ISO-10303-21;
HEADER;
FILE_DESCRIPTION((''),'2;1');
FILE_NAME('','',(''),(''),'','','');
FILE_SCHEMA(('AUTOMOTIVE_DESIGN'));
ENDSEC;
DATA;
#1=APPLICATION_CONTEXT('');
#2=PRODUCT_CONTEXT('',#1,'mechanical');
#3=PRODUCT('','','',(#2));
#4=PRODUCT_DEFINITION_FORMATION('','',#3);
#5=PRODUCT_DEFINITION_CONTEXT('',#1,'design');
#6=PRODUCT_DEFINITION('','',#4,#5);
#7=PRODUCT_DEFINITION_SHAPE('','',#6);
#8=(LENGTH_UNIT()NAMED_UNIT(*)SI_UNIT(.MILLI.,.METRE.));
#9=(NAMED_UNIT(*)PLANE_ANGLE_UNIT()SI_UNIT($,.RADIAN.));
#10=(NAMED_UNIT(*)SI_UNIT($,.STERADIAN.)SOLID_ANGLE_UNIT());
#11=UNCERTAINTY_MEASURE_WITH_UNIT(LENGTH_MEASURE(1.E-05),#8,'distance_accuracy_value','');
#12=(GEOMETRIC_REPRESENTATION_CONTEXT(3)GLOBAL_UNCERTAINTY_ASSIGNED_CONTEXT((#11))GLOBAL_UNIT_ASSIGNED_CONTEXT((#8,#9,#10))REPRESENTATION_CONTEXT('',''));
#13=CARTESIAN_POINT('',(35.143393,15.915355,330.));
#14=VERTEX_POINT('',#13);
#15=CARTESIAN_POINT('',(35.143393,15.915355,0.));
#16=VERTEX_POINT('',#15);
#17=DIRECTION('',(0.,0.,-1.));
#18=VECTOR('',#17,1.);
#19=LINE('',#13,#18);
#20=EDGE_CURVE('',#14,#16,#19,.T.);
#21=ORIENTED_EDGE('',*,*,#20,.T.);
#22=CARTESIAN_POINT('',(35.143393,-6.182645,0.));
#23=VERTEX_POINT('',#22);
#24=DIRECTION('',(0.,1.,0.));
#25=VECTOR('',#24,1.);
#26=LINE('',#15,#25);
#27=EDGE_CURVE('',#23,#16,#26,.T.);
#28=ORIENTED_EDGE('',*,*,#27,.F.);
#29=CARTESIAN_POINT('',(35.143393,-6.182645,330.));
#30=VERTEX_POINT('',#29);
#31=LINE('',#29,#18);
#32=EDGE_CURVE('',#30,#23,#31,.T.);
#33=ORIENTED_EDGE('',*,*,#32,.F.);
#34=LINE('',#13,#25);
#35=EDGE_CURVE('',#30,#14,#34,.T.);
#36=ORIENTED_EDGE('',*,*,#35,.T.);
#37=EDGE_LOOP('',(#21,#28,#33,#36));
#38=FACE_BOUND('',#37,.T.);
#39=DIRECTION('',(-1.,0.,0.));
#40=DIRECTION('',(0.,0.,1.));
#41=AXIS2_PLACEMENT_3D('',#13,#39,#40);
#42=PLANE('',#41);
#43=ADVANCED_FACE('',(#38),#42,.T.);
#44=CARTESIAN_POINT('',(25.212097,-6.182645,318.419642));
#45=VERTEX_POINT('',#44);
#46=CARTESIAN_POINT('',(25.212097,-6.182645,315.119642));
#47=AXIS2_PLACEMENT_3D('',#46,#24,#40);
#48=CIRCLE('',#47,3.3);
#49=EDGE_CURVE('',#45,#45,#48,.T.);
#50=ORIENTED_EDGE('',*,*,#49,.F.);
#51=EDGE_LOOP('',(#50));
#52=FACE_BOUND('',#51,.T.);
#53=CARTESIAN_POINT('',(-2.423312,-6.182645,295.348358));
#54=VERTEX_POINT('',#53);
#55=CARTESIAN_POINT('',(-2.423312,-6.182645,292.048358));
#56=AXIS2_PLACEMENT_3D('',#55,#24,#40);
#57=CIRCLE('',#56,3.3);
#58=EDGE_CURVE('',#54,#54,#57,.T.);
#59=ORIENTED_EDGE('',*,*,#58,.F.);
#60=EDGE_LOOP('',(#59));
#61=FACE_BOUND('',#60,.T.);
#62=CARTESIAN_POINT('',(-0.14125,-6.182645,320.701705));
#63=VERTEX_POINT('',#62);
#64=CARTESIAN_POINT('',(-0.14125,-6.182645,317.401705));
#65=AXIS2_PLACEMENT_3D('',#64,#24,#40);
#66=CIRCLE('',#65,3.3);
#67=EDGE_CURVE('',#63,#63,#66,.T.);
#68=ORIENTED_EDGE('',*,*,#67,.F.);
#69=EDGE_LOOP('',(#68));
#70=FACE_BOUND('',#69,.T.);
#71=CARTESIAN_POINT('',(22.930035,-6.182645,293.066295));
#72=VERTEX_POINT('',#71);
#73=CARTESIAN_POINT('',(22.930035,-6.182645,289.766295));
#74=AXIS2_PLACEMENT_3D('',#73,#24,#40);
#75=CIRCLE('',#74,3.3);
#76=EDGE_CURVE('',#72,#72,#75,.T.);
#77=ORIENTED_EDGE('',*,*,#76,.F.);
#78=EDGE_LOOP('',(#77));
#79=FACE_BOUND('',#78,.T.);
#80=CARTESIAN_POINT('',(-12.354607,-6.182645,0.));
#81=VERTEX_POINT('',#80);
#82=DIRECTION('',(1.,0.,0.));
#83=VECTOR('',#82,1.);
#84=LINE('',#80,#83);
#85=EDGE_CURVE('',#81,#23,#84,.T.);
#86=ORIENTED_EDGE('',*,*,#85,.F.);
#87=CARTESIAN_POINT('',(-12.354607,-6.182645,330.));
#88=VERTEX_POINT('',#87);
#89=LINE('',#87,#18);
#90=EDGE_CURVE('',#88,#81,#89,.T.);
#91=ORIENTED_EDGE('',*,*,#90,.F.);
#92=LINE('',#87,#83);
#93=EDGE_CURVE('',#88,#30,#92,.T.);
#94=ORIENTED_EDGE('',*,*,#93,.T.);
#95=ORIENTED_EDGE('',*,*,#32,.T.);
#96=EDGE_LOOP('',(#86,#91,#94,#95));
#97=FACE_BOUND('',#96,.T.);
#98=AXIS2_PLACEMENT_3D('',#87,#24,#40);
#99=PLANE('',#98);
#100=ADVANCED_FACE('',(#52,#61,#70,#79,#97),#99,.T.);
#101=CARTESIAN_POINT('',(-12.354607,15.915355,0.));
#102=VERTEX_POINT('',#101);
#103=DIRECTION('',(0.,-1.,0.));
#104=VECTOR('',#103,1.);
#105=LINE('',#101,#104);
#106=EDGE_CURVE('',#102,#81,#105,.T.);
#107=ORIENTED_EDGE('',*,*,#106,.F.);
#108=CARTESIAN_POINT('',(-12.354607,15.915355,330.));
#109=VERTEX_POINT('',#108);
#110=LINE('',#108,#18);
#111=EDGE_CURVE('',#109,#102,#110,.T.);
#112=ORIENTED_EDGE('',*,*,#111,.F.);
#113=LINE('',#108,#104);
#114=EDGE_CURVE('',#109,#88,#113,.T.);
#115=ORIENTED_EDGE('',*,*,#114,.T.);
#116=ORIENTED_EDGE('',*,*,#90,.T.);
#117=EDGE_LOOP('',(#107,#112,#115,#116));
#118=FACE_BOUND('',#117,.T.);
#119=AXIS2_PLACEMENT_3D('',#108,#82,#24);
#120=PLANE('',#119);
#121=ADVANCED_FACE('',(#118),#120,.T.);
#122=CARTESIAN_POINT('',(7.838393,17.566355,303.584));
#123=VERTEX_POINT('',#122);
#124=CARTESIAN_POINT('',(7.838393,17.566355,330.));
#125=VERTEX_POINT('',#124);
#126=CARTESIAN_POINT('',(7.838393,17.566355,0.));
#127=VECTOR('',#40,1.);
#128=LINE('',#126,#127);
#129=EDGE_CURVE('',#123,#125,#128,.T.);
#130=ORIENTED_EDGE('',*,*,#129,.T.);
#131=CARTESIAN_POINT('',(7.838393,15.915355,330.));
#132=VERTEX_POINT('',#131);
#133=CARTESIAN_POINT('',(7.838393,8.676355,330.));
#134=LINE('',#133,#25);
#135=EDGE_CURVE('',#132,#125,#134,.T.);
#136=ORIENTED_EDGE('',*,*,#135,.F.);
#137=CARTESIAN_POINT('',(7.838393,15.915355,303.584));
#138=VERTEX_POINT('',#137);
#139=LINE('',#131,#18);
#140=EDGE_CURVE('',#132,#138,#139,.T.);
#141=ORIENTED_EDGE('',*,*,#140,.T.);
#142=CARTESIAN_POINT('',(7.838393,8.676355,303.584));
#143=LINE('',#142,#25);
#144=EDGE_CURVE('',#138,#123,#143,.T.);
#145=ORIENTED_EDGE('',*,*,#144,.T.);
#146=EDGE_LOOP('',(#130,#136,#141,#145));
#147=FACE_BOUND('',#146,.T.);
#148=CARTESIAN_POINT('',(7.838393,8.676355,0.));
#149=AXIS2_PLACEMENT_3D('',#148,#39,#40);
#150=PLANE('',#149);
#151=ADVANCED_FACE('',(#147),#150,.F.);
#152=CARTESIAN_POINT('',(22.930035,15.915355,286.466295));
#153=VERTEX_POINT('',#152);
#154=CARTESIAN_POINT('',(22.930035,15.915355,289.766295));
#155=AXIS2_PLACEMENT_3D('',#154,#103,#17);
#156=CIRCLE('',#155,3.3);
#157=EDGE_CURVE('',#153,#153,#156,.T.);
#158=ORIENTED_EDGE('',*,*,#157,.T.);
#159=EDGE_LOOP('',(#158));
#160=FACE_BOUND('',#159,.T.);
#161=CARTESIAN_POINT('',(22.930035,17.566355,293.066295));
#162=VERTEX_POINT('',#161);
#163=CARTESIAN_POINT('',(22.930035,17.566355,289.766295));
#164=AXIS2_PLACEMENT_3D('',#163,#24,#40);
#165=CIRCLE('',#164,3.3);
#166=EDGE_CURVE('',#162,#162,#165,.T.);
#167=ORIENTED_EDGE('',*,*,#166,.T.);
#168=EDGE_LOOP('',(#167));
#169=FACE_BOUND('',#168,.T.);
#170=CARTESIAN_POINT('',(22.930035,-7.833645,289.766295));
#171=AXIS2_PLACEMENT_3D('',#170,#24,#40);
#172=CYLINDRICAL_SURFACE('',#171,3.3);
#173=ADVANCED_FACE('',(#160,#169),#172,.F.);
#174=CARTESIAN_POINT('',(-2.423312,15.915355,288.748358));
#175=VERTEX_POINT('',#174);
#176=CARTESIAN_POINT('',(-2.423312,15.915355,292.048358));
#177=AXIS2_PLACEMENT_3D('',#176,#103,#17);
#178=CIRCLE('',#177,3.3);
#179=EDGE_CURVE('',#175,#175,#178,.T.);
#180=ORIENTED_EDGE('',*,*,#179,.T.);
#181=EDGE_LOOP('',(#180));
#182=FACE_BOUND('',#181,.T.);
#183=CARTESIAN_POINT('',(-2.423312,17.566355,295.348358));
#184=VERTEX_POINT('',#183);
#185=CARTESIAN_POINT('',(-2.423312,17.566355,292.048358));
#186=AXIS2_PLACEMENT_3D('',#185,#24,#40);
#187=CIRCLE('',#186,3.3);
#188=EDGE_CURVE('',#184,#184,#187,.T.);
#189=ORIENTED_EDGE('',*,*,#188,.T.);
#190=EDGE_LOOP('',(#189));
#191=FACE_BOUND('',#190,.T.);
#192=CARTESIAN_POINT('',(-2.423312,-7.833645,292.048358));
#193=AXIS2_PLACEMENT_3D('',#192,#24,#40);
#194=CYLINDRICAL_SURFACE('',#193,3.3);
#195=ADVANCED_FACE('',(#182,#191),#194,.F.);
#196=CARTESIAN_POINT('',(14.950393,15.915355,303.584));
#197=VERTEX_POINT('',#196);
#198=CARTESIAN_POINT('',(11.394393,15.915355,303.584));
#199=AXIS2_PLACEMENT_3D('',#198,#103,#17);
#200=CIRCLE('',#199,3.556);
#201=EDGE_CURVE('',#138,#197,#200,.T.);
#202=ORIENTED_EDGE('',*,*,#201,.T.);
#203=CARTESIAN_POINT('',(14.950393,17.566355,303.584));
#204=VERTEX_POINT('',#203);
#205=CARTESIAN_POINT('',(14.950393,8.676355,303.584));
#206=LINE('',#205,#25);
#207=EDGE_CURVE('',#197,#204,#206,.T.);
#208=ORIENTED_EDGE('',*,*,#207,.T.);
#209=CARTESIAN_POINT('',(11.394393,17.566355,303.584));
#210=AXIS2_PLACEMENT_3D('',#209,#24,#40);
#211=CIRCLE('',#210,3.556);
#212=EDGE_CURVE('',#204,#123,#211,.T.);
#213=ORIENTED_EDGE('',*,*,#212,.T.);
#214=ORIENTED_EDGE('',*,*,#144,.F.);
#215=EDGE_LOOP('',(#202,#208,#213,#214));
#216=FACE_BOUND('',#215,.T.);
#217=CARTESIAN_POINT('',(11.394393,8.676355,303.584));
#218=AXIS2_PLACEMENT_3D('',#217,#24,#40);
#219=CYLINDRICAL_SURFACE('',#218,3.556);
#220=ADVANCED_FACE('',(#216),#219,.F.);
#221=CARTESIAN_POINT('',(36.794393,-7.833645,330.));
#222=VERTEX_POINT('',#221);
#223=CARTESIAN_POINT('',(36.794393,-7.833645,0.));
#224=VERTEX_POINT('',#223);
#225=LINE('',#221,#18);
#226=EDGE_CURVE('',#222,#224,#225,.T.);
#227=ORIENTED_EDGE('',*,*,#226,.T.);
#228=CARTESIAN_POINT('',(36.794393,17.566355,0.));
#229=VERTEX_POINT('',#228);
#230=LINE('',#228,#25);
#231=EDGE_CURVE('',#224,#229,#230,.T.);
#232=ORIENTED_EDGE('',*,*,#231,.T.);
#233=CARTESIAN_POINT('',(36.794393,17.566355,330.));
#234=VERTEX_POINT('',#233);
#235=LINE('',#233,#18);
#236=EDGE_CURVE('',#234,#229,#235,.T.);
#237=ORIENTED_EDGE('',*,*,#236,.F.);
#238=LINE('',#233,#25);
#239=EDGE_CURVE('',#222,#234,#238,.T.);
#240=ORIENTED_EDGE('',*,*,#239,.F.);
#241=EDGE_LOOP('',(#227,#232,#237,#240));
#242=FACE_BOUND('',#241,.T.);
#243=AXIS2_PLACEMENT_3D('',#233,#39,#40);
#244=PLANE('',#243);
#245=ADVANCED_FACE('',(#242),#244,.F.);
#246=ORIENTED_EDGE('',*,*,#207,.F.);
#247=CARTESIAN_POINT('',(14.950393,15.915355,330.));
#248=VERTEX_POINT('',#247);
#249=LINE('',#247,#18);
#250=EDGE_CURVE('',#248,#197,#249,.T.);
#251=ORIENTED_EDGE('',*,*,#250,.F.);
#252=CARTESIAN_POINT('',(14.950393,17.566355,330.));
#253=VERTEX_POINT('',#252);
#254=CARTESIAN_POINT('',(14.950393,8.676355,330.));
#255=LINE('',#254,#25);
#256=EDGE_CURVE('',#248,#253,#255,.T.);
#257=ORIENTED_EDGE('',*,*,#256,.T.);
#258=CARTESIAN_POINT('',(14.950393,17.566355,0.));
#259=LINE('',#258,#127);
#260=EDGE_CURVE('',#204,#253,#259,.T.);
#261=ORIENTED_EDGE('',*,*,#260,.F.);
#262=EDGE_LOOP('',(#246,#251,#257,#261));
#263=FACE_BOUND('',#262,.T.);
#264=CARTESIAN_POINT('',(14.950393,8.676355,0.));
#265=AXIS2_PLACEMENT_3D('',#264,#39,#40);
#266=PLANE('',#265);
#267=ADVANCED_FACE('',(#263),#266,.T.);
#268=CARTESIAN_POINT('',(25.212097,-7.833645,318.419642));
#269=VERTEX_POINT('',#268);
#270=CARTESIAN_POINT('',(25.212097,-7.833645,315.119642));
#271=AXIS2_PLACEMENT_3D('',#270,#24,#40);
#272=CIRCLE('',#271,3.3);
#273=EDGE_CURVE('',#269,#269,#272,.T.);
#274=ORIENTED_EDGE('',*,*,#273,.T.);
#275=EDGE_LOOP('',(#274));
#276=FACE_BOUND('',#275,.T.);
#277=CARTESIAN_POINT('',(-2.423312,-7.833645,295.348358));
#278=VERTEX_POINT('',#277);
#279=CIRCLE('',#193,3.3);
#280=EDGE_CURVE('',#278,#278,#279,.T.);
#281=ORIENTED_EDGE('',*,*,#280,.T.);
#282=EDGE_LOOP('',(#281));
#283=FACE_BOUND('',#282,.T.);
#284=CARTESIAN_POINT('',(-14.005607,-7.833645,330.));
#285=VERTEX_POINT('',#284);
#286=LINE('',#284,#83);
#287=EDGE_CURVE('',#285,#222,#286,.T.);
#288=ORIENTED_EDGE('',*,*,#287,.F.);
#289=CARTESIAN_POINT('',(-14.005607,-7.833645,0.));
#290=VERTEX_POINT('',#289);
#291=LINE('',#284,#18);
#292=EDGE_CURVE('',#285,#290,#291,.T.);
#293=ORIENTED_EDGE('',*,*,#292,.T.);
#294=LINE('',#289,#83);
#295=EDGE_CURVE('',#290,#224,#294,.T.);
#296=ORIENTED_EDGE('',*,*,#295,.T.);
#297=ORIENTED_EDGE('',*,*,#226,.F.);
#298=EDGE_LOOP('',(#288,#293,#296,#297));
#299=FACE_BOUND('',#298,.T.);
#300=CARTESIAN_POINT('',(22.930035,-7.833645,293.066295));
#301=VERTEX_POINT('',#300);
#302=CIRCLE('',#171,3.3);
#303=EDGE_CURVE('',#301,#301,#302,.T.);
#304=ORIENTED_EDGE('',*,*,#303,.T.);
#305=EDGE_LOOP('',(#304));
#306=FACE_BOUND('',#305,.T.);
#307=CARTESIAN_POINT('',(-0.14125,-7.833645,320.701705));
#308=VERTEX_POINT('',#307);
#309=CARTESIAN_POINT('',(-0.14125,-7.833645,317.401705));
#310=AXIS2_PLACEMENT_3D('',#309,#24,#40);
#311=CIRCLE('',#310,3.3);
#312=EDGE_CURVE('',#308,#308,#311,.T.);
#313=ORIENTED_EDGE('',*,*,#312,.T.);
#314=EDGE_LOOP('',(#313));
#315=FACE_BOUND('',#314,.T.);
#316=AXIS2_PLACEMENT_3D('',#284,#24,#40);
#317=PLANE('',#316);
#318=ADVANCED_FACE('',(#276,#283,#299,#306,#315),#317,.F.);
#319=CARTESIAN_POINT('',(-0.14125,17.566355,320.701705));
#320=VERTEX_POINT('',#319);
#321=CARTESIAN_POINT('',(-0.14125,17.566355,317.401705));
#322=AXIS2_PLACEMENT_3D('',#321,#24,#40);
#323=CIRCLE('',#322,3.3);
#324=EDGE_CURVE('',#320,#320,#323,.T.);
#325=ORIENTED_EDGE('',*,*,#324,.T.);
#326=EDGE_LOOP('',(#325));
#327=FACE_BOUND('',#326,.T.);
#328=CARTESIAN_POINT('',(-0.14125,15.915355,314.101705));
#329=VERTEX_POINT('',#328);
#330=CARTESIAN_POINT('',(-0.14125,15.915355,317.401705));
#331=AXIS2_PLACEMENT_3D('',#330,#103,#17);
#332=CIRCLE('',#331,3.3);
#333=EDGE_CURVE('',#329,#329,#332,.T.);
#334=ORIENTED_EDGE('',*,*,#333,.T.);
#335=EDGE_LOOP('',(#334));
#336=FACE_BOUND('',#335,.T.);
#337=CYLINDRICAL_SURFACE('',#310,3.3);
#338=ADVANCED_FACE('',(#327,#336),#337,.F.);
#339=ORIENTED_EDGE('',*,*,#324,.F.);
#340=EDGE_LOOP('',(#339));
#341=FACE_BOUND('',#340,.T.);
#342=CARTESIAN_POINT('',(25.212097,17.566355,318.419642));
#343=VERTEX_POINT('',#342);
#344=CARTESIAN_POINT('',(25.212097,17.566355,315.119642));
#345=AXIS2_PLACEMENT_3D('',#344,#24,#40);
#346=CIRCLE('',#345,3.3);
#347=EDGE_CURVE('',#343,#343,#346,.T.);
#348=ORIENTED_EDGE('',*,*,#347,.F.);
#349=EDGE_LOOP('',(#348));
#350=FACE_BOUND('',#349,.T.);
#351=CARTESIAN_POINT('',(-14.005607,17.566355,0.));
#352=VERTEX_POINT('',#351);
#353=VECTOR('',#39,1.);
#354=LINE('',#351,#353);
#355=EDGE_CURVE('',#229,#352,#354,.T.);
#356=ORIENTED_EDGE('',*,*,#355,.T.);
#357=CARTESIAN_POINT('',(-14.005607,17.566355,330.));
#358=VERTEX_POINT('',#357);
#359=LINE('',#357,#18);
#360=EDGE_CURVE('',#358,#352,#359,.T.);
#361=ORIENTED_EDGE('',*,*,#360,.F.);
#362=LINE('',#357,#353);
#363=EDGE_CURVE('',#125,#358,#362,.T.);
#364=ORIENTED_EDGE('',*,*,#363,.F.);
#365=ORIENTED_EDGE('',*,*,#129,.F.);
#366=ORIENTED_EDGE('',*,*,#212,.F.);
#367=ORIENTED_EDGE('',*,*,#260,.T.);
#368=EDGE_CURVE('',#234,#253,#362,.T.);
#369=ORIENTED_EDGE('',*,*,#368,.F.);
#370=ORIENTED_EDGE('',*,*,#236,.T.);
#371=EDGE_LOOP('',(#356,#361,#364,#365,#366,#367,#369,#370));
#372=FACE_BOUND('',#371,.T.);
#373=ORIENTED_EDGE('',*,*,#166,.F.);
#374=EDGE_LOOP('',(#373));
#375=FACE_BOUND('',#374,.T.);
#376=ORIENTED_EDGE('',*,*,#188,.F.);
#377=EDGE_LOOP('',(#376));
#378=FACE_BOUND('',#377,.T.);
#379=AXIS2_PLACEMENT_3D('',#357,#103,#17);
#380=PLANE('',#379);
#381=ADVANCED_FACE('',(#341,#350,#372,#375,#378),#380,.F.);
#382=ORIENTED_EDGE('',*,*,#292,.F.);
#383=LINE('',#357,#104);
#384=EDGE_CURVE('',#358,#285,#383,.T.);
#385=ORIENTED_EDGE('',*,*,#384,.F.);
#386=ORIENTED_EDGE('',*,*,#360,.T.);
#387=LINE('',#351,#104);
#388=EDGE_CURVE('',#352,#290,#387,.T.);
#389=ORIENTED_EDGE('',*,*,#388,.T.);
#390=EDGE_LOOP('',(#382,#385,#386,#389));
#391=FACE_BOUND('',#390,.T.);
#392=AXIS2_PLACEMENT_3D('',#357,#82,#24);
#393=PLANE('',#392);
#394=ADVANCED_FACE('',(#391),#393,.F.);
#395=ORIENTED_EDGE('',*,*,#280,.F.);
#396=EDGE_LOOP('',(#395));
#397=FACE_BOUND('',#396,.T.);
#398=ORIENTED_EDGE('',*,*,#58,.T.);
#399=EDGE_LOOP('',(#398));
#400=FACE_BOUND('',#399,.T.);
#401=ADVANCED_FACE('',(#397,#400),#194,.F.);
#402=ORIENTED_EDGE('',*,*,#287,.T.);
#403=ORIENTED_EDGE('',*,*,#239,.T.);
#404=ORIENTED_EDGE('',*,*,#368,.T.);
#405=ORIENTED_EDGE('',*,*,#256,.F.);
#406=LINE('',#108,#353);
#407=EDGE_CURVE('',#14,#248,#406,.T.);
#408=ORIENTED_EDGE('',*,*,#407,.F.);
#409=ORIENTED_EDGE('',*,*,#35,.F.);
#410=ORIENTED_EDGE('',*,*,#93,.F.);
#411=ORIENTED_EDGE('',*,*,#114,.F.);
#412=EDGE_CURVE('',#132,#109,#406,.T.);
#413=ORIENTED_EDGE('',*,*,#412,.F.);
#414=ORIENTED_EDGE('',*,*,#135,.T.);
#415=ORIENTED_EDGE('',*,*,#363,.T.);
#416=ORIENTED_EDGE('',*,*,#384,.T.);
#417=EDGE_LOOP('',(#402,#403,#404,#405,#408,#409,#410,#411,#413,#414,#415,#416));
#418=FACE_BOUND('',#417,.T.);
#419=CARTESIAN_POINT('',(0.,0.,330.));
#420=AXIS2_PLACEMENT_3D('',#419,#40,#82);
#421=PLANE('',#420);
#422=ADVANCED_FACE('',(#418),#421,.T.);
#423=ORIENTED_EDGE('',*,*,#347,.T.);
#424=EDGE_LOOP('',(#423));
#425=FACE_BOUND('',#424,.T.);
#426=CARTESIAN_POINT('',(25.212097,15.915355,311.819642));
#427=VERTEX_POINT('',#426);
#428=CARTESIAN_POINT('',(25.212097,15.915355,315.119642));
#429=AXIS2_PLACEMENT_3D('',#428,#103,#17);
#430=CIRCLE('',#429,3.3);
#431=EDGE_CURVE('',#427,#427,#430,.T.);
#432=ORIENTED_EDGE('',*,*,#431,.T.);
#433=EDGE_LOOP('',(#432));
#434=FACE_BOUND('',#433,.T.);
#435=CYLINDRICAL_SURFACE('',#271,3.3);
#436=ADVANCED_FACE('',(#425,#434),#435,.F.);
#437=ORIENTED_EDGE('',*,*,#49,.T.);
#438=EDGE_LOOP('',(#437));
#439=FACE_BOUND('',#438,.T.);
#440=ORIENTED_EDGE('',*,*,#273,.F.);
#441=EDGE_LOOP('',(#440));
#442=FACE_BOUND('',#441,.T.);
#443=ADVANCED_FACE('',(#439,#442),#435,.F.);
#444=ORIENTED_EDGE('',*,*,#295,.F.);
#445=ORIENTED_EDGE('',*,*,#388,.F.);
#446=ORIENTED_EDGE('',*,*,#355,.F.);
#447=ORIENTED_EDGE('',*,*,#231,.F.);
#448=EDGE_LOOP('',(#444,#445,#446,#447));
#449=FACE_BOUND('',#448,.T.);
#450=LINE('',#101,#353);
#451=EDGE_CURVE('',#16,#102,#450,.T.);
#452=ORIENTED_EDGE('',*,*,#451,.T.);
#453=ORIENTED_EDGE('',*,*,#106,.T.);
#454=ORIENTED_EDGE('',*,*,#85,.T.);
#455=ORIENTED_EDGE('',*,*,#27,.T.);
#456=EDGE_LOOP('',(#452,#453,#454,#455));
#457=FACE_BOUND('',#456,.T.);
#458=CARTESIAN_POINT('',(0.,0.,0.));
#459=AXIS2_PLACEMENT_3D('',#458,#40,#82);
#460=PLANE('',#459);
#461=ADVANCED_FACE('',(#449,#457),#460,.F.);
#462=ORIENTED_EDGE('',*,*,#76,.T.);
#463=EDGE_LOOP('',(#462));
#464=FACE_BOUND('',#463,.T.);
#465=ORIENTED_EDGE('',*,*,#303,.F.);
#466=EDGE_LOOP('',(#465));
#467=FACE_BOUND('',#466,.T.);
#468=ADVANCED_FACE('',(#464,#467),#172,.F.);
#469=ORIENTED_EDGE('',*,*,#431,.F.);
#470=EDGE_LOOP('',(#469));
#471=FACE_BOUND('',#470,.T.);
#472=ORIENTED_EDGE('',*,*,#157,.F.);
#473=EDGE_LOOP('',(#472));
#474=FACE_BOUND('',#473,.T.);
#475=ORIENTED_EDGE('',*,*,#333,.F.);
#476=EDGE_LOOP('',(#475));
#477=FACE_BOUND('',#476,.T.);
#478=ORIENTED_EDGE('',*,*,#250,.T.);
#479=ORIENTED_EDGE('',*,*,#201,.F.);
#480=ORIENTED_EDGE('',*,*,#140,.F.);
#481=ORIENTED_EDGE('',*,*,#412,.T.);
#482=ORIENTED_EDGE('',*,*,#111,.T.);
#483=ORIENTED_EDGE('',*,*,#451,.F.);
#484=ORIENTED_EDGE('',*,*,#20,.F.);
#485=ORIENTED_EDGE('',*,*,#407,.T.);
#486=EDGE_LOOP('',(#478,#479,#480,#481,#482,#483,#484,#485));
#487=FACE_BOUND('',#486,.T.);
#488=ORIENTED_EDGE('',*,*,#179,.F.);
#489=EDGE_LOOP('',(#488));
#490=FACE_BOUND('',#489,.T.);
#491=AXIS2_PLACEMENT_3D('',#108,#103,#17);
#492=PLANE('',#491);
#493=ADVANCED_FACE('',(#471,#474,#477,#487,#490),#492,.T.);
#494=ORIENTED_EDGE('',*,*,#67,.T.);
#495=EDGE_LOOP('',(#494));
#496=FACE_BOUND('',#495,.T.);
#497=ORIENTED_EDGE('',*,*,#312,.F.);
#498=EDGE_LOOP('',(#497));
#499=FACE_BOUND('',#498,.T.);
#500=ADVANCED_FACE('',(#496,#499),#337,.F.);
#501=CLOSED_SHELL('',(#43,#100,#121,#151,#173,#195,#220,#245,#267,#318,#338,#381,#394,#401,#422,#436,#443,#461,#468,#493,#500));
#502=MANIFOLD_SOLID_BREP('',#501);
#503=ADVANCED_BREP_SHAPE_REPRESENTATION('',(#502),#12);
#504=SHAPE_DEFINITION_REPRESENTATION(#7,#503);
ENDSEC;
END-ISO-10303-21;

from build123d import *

# Parameters (mm, degrees)
SKETCH1_W           = 50.8
SKETCH1_H           = 25.4
SKETCH1_W_2         = 47.498
SKETCH1_H_2         = 22.098
BOSS_EXTRUDE1_DEPTH = 330
SKETCH2_R           = 3.300000004
CUT_EXTRUDE2_DEPTH  = 26.4
CUT_EXTRUDE3_DEPTH  = 8.89


with BuildPart() as part:
    # Sketch1 → Boss-Extrude1 (new body)
    with BuildSketch(Plane.XY):
        with Locations((11.394392523, 4.86635514)):
            Rectangle(SKETCH1_W, SKETCH1_H)
        with Locations((11.394392523, 4.86635514)):
            Rectangle(SKETCH1_W_2, SKETCH1_H_2, mode=Mode.SUBTRACT)
    extrude(amount=BOSS_EXTRUDE1_DEPTH)

    # Sketch2 → Cut-Extrude2 (cut, through all)
    with BuildSketch(Plane(origin=(0, 17.56635514, 0), x_dir=(1, 0, 0), z_dir=(0, 1, 0))):
        with Locations((-2.423312001, -292.04835777)):
            Circle(SKETCH2_R)
        with Locations((22.930034754, -289.766295475)):
            Circle(SKETCH2_R)
        with Locations((25.212097048, -315.11964223)):
            Circle(SKETCH2_R)
        with Locations((-0.141249707, -317.401704525)):
            Circle(SKETCH2_R)
    extrude(amount=-CUT_EXTRUDE2_DEPTH, mode=Mode.SUBTRACT)

    # Sketch4 → Cut-Extrude3 (cut)
    with BuildSketch(Plane(origin=(0, 17.56635514, 0), x_dir=(1, 0, 0), z_dir=(0, 1, 0))):
        with BuildLine():
            ThreePointArc((14.950392523, -303.584), (11.394392523, -300.028), (7.838392523, -303.584))
            Line((7.838392523, -303.584), (7.838392523, -330))
            Line((7.838392523, -330), (14.950392523, -330))
            Line((14.950392523, -330), (14.950392523, -303.584))
        make_face()
    extrude(amount=-CUT_EXTRUDE3_DEPTH, mode=Mode.SUBTRACT)


solid = part.part
